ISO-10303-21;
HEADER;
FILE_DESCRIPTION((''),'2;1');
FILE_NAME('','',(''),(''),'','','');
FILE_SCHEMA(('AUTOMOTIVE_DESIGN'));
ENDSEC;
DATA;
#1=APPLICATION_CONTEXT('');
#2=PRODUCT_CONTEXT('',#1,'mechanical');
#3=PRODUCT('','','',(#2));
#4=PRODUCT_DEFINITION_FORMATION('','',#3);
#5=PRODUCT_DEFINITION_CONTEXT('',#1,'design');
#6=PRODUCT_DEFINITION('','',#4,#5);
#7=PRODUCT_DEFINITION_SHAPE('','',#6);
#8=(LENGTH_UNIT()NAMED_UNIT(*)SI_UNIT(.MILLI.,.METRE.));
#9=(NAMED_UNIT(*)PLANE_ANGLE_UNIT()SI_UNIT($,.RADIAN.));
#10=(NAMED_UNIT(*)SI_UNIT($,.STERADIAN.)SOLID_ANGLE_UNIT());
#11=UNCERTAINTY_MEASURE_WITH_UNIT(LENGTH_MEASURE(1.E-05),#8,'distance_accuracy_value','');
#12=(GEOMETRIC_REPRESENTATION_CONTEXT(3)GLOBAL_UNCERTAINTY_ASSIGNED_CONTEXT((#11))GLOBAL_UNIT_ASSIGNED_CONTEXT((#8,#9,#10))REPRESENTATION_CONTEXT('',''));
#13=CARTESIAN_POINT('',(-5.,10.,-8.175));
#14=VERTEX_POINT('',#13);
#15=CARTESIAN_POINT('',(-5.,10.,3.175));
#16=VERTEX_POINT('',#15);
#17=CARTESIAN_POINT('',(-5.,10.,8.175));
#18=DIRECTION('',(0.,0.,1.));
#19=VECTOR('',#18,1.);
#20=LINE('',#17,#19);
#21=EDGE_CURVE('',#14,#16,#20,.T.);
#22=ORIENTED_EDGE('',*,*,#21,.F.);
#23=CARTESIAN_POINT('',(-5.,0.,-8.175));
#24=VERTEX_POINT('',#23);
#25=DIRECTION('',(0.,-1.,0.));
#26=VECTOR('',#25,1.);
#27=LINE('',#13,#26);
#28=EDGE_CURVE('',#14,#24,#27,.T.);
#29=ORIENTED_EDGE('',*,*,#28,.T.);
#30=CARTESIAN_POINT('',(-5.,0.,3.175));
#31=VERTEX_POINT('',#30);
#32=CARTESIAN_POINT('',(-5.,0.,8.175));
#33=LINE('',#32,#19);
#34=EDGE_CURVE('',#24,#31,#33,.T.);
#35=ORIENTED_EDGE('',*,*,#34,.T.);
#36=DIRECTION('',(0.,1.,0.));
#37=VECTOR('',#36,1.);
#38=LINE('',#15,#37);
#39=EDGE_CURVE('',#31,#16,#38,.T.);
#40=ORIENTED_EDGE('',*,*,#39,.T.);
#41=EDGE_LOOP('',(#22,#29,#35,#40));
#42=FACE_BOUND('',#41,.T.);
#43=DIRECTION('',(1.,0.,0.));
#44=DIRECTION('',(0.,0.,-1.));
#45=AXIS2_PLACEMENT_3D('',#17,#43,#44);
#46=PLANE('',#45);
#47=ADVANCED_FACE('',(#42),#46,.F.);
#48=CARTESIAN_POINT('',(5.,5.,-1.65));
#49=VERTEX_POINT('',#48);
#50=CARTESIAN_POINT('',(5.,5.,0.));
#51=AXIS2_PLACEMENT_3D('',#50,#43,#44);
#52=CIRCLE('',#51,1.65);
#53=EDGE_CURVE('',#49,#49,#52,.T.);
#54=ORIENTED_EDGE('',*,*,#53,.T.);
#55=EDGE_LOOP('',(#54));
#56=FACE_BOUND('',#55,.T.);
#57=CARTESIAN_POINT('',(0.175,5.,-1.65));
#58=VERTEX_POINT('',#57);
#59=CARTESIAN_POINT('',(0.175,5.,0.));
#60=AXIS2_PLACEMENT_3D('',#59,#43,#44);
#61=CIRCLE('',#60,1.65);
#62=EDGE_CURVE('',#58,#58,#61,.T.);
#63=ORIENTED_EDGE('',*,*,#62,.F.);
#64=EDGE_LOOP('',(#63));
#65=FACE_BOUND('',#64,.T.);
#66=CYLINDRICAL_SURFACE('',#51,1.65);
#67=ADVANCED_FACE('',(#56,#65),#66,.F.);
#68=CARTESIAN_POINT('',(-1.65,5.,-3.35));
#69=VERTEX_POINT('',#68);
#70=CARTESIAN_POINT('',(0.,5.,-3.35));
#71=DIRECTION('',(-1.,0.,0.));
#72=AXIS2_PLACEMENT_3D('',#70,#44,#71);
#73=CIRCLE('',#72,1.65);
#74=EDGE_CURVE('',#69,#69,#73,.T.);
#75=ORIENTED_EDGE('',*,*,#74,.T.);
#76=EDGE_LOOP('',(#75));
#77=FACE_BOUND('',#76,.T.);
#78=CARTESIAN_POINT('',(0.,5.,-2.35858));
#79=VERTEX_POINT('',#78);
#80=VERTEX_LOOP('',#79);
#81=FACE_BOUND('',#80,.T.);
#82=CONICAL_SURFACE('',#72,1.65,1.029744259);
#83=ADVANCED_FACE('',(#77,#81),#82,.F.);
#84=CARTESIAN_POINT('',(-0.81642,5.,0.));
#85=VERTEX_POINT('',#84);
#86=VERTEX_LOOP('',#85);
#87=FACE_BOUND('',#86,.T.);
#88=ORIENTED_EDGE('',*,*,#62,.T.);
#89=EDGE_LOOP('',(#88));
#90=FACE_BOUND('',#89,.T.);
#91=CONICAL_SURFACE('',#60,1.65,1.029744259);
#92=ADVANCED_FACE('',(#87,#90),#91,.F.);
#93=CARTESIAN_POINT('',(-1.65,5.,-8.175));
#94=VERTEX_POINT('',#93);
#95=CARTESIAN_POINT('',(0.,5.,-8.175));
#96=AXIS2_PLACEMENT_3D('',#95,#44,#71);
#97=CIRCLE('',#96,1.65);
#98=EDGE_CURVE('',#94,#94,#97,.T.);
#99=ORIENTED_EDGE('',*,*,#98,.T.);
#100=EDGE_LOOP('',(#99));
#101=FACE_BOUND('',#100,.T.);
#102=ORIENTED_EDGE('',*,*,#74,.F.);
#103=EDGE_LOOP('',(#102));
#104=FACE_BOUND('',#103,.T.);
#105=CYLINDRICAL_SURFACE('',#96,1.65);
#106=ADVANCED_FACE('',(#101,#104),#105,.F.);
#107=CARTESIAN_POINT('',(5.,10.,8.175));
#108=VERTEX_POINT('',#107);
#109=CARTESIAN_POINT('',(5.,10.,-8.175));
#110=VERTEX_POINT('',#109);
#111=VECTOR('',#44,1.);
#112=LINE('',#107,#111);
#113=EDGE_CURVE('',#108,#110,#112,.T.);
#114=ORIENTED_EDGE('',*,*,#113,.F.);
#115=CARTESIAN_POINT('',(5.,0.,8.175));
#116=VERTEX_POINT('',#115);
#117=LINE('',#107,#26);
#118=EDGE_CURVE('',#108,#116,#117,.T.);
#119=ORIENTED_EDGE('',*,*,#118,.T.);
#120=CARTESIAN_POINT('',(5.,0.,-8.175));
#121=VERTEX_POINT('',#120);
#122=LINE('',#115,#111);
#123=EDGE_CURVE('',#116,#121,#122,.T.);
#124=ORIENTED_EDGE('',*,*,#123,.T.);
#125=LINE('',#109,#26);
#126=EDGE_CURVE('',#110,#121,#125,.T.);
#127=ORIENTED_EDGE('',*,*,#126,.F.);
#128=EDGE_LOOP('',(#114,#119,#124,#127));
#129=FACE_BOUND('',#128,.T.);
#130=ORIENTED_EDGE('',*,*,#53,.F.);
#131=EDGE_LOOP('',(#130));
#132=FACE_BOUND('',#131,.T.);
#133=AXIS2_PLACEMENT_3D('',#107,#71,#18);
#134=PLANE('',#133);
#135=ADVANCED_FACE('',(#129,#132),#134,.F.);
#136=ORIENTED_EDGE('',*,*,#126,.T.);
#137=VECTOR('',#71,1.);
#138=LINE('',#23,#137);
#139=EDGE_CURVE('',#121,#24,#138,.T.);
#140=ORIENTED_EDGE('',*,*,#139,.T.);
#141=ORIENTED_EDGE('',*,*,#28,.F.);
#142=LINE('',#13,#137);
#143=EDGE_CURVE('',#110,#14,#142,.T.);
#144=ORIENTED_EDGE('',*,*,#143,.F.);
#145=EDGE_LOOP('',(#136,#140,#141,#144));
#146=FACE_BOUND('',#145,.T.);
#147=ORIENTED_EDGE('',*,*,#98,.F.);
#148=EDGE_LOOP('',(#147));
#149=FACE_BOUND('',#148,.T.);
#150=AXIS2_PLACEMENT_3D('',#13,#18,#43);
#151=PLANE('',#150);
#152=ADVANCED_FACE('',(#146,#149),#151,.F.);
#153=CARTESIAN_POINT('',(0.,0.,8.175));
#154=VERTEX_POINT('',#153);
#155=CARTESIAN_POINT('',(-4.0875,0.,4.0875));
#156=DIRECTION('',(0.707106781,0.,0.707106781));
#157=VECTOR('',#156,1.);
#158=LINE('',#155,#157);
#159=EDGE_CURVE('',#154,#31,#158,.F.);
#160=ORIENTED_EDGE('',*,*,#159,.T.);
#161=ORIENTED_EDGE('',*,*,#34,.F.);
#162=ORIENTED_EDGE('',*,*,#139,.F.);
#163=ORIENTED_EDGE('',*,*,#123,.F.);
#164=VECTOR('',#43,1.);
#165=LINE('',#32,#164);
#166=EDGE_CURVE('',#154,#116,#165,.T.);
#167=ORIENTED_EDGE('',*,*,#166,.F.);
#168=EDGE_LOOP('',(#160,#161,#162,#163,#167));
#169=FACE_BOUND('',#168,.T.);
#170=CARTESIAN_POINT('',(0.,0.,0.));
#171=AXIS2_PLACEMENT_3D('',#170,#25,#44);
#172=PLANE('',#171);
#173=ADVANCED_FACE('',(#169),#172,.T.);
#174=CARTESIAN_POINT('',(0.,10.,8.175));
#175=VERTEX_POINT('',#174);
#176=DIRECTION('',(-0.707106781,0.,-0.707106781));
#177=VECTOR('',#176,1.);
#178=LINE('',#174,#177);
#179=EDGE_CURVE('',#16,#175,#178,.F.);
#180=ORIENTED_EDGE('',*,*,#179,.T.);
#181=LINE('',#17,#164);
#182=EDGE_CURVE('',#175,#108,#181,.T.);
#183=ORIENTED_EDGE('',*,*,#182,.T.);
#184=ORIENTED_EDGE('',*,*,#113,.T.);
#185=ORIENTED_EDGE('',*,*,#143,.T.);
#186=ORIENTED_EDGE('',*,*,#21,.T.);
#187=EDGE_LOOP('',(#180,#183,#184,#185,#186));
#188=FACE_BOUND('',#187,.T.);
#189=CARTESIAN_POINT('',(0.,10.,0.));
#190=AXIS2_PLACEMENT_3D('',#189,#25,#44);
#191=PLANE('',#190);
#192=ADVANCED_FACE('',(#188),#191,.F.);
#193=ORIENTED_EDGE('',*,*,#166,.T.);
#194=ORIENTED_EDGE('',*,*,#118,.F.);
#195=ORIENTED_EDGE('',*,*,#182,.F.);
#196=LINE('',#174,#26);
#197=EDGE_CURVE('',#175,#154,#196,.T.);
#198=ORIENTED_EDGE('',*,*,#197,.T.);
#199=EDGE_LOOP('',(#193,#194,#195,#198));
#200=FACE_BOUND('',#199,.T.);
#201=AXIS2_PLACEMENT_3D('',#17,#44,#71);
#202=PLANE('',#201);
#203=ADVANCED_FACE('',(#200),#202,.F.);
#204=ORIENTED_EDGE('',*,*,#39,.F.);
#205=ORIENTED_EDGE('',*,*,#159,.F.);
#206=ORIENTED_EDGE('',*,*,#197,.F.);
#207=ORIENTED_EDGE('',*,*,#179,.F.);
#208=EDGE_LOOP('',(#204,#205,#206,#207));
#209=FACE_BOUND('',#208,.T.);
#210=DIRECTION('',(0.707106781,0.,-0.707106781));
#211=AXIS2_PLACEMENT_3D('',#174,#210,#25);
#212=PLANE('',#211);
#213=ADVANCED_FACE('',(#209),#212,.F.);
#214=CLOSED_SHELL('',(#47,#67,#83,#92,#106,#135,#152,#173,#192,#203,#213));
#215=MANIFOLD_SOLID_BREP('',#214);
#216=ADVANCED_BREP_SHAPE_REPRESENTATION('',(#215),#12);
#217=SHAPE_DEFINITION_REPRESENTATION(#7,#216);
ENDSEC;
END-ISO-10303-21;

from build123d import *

# Parameters (mm, degrees)
SKETCH1_W                 = 10
SKETCH1_H                 = 16.35
BOSS_EXTRUDE1_DEPTH       = 10
CHAMFER1_SIZE             = 5
M4X0_7_TAPPED_HOLE1_D     = 3.3
M4X0_7_TAPPED_HOLE1_DEPTH = 4.825
M4X0_7_TAPPED_HOLE1_TIP   = 0.991420021
M4X0_7_TAPPED_HOLE2_D     = 3.3
M4X0_7_TAPPED_HOLE2_DEPTH = 4.825
M4X0_7_TAPPED_HOLE2_TIP   = 0.991420021


with BuildPart() as part:
    # Sketch1 → Boss-Extrude1 (new body)
    with BuildSketch(Plane(origin=(0, 0, 0), x_dir=(1, 0, 0), z_dir=(0, 1, 0))):
        Rectangle(SKETCH1_W, SKETCH1_H)
    extrude(amount=BOSS_EXTRUDE1_DEPTH)

    # Chamfer1
    chamfer1_edges = [part.edges().sort_by_distance(p)[0] for p in [
        (-5, 5, 8.175),
    ]]
    chamfer(chamfer1_edges, length=CHAMFER1_SIZE)

    # M4x0.7 Tapped Hole1
    with Locations(Plane(origin=(5, 0, 0), x_dir=(0, 0, -1), z_dir=(1, 0, 0))):
        with Locations((0, 5)):
            Hole(M4X0_7_TAPPED_HOLE1_D / 2, depth=M4X0_7_TAPPED_HOLE1_DEPTH)
            with Locations((0, 0, -(M4X0_7_TAPPED_HOLE1_DEPTH + M4X0_7_TAPPED_HOLE1_TIP / 2))):  # 118° drill point
                Cone(0, M4X0_7_TAPPED_HOLE1_D / 2, M4X0_7_TAPPED_HOLE1_TIP, mode=Mode.SUBTRACT)

    # M4x0.7 Tapped Hole2
    with Locations(Plane(origin=(0, 0, -8.175), x_dir=(-1, 0, 0), z_dir=(0, 0, -1))):
        with Locations((0, 5)):
            Hole(M4X0_7_TAPPED_HOLE2_D / 2, depth=M4X0_7_TAPPED_HOLE2_DEPTH)
            with Locations((0, 0, -(M4X0_7_TAPPED_HOLE2_DEPTH + M4X0_7_TAPPED_HOLE2_TIP / 2))):  # 118° drill point
                Cone(0, M4X0_7_TAPPED_HOLE2_D / 2, M4X0_7_TAPPED_HOLE2_TIP, mode=Mode.SUBTRACT)


solid = part.part
